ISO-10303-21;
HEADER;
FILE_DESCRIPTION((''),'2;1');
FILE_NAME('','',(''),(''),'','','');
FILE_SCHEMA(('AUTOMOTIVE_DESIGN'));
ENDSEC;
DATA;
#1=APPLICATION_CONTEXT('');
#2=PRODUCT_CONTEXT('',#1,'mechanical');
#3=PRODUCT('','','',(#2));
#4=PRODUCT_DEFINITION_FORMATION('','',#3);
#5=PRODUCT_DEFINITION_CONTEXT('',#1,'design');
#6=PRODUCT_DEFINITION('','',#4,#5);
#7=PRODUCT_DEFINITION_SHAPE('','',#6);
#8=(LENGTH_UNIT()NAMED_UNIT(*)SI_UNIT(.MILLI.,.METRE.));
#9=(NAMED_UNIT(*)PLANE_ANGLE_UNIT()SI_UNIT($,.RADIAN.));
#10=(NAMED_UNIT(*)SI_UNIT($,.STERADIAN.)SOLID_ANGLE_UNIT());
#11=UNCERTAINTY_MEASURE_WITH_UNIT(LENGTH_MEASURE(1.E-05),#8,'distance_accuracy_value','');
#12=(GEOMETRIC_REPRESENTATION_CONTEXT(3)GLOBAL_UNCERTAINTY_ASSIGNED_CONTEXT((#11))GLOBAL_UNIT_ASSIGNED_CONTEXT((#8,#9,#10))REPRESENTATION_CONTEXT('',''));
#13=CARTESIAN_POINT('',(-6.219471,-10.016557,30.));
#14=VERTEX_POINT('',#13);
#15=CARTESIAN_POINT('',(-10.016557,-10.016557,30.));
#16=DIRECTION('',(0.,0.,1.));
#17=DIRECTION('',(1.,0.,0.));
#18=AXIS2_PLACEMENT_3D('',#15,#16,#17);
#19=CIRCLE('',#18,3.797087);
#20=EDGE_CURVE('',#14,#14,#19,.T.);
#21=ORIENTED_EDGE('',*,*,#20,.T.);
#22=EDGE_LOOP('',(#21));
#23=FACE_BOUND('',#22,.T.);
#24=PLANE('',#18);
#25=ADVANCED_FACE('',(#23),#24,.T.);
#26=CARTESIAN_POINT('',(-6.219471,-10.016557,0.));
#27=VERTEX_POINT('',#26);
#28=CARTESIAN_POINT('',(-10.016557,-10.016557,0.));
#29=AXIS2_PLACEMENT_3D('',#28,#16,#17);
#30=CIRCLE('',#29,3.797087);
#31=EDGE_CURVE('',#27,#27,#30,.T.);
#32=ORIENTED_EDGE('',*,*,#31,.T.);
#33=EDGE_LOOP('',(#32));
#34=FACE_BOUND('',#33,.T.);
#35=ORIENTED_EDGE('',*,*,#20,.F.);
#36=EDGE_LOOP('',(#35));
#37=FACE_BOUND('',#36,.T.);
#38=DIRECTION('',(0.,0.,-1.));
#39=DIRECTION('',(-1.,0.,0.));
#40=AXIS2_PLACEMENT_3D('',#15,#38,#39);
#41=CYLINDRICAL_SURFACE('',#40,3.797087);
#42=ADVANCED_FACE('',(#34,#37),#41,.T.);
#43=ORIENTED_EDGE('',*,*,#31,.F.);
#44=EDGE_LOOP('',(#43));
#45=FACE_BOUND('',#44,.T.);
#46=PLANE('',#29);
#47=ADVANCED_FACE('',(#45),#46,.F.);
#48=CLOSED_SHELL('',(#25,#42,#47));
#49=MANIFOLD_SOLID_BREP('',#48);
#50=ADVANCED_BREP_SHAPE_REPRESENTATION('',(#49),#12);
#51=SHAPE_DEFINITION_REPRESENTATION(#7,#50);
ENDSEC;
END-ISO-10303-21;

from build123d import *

# Parameters (mm, degrees)
SKETCH1_R           = 3.7970867
BOSS_EXTRUDE1_DEPTH = 30


with BuildPart() as part:
    # Sketch1 → Boss-Extrude1 (new body)
    with BuildSketch(Plane.XY):
        with Locations((-10.016557459, -10.016557459)):
            Circle(SKETCH1_R)
    extrude(amount=BOSS_EXTRUDE1_DEPTH)


solid = part.part
